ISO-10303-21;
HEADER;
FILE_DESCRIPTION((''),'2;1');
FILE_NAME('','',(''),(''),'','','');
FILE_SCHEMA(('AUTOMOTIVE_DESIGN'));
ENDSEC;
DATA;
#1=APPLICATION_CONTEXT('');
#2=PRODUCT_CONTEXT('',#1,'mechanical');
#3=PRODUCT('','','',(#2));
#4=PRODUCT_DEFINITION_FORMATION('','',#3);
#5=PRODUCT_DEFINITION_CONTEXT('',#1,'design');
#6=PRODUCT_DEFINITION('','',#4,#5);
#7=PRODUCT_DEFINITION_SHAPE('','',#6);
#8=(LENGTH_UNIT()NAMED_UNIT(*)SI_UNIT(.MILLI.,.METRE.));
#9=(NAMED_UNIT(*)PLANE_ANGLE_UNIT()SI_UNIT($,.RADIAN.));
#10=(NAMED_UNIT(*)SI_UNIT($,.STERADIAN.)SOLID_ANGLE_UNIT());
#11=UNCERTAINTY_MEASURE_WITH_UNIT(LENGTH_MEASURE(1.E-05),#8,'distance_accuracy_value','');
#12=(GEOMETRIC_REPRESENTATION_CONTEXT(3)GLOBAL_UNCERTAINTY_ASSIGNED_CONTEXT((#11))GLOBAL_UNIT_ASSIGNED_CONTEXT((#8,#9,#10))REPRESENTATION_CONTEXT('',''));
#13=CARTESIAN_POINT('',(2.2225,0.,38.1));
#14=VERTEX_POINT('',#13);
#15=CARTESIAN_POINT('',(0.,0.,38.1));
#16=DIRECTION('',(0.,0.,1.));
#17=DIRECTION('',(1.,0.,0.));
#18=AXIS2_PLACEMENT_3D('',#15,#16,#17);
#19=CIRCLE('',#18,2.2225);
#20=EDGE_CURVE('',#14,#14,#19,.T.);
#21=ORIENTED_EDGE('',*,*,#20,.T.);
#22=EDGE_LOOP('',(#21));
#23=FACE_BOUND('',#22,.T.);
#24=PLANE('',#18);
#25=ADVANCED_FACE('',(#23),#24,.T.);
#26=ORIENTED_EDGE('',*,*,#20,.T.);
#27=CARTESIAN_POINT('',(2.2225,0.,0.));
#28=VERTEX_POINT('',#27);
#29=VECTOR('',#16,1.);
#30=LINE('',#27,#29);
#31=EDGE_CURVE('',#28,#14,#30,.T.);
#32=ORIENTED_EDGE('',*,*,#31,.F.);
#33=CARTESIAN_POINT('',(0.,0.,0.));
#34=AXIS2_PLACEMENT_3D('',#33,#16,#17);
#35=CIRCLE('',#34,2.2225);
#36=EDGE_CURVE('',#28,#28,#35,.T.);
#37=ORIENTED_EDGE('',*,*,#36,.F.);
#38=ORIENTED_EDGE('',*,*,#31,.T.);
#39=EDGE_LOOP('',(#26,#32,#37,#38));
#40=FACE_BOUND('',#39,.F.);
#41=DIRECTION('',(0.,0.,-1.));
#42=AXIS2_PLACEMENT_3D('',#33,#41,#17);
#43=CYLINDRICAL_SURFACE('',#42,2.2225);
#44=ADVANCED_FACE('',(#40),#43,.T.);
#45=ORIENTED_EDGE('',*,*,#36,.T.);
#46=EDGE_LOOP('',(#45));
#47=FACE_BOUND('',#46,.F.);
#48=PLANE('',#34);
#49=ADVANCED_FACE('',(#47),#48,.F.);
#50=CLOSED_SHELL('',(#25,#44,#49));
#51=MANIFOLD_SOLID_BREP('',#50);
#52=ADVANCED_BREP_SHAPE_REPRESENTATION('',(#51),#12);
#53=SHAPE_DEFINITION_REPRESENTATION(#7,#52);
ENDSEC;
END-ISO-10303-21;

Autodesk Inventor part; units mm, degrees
ref_plane "YZ Plane" through (0, 0, 0) normal (1, 0, 0) x (0, 1, 0)
ref_plane "XZ Plane" through (0, 0, 0) normal (0, 1, 0) x (-1, 0, 0)
sketch "Sketch1" plane through (0, 0, 0) normal (0, 0, 1) x (1, 0, 0)
  circle A0 centre (0, 0) radius 2.2225
  dimension "d0" = 4.445
extrude "Extrusion1" add sketch "Sketch1" along normal blind 38.1
thread "Thread1" size "10-24 UNC" class "2A" standard "ANSI Unified Screw Threads" full length
ref_plane "Work Plane1" through (0, 0, 19.05) normal (0, 0, 1) x (1, 0, 0)
properties part number "RollerThing2"
